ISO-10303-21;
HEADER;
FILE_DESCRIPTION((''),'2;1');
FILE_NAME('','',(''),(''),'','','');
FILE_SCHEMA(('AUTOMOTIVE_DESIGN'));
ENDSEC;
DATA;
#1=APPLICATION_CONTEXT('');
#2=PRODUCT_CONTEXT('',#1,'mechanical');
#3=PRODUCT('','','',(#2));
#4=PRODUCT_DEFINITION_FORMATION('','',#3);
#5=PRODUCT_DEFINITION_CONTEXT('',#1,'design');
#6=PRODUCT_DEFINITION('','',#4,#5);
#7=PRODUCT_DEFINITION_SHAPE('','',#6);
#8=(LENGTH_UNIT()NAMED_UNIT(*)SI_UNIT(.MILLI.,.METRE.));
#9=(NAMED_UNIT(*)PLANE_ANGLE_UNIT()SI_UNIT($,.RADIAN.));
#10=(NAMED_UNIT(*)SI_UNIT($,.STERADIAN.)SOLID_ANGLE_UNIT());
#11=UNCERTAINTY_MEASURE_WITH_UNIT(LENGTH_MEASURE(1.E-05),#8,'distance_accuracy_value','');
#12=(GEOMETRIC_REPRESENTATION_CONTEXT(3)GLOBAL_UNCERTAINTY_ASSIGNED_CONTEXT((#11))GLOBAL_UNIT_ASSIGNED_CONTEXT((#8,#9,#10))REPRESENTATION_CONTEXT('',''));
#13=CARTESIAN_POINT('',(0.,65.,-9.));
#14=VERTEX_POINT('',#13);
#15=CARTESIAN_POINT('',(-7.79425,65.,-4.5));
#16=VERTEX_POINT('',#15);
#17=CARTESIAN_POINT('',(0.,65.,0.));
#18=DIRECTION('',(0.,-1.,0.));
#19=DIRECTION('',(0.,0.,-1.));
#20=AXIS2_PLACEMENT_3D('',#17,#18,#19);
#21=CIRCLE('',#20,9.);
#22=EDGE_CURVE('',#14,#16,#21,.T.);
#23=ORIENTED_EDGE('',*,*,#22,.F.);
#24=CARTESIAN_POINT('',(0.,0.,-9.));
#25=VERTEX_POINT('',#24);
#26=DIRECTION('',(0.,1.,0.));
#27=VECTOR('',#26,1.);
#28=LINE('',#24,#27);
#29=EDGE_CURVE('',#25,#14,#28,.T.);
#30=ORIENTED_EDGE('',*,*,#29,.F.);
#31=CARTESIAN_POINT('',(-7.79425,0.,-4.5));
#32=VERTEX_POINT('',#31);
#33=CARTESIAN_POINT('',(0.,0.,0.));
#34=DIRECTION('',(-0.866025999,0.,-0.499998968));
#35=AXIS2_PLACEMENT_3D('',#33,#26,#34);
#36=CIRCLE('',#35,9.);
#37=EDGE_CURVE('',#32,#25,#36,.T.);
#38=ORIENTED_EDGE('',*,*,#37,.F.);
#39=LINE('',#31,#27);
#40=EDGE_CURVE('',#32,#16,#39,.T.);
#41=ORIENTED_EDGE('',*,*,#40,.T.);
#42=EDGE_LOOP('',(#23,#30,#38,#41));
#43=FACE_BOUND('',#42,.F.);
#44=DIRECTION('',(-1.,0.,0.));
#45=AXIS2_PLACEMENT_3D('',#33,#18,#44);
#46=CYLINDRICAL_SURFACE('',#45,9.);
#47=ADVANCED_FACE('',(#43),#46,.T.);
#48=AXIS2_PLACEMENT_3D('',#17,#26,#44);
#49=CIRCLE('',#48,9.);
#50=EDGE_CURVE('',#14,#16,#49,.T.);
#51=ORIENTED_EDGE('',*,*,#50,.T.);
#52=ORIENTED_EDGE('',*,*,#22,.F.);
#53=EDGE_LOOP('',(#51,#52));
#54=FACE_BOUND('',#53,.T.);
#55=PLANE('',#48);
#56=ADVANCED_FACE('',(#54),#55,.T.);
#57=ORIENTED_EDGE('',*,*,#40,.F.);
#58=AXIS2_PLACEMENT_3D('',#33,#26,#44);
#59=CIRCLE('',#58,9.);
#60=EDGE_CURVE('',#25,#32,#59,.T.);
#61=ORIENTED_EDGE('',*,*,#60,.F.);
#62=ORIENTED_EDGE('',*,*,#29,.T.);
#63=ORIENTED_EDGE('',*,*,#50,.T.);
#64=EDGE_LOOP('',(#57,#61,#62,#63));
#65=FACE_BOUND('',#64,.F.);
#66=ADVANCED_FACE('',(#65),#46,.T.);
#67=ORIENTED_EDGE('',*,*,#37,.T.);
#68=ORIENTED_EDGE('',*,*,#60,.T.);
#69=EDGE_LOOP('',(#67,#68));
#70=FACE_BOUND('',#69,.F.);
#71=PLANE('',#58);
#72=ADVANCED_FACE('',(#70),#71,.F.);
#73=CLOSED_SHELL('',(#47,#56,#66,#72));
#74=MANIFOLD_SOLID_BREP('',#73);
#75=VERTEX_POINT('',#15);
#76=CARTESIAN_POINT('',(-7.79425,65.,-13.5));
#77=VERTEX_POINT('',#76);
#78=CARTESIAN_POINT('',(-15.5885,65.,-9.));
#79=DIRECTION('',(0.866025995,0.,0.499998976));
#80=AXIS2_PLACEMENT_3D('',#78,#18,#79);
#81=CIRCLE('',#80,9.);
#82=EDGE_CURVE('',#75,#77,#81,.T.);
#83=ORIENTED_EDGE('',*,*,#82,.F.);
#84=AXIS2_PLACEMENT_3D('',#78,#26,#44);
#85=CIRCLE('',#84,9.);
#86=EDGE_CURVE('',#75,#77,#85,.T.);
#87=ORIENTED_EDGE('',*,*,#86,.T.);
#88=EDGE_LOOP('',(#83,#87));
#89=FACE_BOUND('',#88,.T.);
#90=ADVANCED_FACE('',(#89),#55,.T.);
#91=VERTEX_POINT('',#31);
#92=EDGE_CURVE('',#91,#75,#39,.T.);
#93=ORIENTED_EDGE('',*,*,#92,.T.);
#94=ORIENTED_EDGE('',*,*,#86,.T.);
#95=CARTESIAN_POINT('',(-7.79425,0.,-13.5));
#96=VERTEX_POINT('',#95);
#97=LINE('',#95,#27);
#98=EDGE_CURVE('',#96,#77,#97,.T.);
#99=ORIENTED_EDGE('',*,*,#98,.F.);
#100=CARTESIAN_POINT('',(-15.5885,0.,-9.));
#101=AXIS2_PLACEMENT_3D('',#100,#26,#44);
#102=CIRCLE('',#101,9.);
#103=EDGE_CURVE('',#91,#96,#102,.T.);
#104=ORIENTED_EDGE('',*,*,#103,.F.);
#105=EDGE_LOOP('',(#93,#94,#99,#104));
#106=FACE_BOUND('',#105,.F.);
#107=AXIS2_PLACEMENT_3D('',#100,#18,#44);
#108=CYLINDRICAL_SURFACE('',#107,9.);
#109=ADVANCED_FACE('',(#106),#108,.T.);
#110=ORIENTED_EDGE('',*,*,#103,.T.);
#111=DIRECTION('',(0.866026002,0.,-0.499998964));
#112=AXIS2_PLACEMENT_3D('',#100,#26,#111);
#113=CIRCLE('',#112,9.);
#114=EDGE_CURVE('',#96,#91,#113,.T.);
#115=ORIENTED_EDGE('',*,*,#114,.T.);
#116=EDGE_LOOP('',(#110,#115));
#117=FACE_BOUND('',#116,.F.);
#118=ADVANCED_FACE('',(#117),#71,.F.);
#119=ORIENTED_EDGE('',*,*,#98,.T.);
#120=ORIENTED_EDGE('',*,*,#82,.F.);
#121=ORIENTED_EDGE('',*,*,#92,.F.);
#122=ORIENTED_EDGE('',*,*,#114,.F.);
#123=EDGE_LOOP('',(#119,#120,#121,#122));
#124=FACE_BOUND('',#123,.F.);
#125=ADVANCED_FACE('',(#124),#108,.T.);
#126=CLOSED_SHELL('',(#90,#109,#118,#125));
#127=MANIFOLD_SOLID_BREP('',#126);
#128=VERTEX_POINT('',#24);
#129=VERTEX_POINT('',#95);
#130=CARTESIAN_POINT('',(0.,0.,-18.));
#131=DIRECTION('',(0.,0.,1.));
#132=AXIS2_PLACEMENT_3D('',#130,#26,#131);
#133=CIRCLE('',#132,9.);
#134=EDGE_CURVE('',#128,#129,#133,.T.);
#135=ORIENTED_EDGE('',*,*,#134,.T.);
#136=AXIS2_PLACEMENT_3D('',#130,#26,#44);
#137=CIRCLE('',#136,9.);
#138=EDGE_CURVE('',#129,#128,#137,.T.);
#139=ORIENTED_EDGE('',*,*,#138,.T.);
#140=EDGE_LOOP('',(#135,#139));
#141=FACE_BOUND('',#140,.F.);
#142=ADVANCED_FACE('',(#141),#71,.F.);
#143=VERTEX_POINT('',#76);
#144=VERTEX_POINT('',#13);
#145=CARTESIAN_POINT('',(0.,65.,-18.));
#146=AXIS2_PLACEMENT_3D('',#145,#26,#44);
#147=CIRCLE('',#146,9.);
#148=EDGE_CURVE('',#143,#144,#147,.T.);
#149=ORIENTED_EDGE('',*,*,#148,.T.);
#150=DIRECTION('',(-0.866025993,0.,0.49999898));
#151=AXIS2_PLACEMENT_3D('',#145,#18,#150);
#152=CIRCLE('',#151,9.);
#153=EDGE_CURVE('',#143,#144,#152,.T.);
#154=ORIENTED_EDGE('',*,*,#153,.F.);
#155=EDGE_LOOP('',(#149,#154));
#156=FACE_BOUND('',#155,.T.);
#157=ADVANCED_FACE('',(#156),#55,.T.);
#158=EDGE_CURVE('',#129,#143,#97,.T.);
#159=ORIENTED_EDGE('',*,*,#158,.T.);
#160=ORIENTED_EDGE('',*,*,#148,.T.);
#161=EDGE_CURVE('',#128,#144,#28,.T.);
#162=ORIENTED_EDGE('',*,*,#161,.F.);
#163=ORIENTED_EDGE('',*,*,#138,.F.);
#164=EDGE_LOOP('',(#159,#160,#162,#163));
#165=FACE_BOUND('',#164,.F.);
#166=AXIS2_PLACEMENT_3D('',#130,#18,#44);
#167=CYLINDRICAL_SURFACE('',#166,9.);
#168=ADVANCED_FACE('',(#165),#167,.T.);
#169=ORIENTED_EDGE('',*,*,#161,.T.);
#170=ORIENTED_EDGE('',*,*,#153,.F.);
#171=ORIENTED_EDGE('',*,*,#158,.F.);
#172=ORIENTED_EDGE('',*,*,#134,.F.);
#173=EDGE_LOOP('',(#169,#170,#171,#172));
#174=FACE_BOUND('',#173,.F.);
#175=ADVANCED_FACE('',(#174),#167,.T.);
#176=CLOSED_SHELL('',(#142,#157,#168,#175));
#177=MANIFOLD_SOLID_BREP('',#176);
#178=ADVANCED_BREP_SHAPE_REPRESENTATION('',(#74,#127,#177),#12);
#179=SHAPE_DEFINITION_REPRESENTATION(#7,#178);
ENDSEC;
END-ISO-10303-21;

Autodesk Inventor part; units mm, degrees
ref_plane "YZ Plane" through (0, 0, 0) normal (1, 0, 0) x (0, 1, 0)
ref_plane "XZ Plane" through (0, 0, 0) normal (0, 1, 0) x (-1, 0, 0)
ref_plane "XY Plane" through (0, 0, 0) normal (0, 0, 1) x (1, 0, 0)
sketch "Эскиз1" plane through (0, 0, 0) normal (0, 1, 0) x (-1, 0, 0)
  circle A0 centre (0, 0) radius 9
  circle A1 centre (0, -18) radius 9
  circle A2 centre (15.5885, -9) radius 9
  point P0 (7.7942, -13.5)
  point P1 (7.7942, -4.5)
  point P2 (0, -9)
  dimension "d0" = 18
extrude "Выдавливание1" add sketch "Эскиз1" along normal blind 65 contours A0 | A1 | A2
properties part number "18650"
